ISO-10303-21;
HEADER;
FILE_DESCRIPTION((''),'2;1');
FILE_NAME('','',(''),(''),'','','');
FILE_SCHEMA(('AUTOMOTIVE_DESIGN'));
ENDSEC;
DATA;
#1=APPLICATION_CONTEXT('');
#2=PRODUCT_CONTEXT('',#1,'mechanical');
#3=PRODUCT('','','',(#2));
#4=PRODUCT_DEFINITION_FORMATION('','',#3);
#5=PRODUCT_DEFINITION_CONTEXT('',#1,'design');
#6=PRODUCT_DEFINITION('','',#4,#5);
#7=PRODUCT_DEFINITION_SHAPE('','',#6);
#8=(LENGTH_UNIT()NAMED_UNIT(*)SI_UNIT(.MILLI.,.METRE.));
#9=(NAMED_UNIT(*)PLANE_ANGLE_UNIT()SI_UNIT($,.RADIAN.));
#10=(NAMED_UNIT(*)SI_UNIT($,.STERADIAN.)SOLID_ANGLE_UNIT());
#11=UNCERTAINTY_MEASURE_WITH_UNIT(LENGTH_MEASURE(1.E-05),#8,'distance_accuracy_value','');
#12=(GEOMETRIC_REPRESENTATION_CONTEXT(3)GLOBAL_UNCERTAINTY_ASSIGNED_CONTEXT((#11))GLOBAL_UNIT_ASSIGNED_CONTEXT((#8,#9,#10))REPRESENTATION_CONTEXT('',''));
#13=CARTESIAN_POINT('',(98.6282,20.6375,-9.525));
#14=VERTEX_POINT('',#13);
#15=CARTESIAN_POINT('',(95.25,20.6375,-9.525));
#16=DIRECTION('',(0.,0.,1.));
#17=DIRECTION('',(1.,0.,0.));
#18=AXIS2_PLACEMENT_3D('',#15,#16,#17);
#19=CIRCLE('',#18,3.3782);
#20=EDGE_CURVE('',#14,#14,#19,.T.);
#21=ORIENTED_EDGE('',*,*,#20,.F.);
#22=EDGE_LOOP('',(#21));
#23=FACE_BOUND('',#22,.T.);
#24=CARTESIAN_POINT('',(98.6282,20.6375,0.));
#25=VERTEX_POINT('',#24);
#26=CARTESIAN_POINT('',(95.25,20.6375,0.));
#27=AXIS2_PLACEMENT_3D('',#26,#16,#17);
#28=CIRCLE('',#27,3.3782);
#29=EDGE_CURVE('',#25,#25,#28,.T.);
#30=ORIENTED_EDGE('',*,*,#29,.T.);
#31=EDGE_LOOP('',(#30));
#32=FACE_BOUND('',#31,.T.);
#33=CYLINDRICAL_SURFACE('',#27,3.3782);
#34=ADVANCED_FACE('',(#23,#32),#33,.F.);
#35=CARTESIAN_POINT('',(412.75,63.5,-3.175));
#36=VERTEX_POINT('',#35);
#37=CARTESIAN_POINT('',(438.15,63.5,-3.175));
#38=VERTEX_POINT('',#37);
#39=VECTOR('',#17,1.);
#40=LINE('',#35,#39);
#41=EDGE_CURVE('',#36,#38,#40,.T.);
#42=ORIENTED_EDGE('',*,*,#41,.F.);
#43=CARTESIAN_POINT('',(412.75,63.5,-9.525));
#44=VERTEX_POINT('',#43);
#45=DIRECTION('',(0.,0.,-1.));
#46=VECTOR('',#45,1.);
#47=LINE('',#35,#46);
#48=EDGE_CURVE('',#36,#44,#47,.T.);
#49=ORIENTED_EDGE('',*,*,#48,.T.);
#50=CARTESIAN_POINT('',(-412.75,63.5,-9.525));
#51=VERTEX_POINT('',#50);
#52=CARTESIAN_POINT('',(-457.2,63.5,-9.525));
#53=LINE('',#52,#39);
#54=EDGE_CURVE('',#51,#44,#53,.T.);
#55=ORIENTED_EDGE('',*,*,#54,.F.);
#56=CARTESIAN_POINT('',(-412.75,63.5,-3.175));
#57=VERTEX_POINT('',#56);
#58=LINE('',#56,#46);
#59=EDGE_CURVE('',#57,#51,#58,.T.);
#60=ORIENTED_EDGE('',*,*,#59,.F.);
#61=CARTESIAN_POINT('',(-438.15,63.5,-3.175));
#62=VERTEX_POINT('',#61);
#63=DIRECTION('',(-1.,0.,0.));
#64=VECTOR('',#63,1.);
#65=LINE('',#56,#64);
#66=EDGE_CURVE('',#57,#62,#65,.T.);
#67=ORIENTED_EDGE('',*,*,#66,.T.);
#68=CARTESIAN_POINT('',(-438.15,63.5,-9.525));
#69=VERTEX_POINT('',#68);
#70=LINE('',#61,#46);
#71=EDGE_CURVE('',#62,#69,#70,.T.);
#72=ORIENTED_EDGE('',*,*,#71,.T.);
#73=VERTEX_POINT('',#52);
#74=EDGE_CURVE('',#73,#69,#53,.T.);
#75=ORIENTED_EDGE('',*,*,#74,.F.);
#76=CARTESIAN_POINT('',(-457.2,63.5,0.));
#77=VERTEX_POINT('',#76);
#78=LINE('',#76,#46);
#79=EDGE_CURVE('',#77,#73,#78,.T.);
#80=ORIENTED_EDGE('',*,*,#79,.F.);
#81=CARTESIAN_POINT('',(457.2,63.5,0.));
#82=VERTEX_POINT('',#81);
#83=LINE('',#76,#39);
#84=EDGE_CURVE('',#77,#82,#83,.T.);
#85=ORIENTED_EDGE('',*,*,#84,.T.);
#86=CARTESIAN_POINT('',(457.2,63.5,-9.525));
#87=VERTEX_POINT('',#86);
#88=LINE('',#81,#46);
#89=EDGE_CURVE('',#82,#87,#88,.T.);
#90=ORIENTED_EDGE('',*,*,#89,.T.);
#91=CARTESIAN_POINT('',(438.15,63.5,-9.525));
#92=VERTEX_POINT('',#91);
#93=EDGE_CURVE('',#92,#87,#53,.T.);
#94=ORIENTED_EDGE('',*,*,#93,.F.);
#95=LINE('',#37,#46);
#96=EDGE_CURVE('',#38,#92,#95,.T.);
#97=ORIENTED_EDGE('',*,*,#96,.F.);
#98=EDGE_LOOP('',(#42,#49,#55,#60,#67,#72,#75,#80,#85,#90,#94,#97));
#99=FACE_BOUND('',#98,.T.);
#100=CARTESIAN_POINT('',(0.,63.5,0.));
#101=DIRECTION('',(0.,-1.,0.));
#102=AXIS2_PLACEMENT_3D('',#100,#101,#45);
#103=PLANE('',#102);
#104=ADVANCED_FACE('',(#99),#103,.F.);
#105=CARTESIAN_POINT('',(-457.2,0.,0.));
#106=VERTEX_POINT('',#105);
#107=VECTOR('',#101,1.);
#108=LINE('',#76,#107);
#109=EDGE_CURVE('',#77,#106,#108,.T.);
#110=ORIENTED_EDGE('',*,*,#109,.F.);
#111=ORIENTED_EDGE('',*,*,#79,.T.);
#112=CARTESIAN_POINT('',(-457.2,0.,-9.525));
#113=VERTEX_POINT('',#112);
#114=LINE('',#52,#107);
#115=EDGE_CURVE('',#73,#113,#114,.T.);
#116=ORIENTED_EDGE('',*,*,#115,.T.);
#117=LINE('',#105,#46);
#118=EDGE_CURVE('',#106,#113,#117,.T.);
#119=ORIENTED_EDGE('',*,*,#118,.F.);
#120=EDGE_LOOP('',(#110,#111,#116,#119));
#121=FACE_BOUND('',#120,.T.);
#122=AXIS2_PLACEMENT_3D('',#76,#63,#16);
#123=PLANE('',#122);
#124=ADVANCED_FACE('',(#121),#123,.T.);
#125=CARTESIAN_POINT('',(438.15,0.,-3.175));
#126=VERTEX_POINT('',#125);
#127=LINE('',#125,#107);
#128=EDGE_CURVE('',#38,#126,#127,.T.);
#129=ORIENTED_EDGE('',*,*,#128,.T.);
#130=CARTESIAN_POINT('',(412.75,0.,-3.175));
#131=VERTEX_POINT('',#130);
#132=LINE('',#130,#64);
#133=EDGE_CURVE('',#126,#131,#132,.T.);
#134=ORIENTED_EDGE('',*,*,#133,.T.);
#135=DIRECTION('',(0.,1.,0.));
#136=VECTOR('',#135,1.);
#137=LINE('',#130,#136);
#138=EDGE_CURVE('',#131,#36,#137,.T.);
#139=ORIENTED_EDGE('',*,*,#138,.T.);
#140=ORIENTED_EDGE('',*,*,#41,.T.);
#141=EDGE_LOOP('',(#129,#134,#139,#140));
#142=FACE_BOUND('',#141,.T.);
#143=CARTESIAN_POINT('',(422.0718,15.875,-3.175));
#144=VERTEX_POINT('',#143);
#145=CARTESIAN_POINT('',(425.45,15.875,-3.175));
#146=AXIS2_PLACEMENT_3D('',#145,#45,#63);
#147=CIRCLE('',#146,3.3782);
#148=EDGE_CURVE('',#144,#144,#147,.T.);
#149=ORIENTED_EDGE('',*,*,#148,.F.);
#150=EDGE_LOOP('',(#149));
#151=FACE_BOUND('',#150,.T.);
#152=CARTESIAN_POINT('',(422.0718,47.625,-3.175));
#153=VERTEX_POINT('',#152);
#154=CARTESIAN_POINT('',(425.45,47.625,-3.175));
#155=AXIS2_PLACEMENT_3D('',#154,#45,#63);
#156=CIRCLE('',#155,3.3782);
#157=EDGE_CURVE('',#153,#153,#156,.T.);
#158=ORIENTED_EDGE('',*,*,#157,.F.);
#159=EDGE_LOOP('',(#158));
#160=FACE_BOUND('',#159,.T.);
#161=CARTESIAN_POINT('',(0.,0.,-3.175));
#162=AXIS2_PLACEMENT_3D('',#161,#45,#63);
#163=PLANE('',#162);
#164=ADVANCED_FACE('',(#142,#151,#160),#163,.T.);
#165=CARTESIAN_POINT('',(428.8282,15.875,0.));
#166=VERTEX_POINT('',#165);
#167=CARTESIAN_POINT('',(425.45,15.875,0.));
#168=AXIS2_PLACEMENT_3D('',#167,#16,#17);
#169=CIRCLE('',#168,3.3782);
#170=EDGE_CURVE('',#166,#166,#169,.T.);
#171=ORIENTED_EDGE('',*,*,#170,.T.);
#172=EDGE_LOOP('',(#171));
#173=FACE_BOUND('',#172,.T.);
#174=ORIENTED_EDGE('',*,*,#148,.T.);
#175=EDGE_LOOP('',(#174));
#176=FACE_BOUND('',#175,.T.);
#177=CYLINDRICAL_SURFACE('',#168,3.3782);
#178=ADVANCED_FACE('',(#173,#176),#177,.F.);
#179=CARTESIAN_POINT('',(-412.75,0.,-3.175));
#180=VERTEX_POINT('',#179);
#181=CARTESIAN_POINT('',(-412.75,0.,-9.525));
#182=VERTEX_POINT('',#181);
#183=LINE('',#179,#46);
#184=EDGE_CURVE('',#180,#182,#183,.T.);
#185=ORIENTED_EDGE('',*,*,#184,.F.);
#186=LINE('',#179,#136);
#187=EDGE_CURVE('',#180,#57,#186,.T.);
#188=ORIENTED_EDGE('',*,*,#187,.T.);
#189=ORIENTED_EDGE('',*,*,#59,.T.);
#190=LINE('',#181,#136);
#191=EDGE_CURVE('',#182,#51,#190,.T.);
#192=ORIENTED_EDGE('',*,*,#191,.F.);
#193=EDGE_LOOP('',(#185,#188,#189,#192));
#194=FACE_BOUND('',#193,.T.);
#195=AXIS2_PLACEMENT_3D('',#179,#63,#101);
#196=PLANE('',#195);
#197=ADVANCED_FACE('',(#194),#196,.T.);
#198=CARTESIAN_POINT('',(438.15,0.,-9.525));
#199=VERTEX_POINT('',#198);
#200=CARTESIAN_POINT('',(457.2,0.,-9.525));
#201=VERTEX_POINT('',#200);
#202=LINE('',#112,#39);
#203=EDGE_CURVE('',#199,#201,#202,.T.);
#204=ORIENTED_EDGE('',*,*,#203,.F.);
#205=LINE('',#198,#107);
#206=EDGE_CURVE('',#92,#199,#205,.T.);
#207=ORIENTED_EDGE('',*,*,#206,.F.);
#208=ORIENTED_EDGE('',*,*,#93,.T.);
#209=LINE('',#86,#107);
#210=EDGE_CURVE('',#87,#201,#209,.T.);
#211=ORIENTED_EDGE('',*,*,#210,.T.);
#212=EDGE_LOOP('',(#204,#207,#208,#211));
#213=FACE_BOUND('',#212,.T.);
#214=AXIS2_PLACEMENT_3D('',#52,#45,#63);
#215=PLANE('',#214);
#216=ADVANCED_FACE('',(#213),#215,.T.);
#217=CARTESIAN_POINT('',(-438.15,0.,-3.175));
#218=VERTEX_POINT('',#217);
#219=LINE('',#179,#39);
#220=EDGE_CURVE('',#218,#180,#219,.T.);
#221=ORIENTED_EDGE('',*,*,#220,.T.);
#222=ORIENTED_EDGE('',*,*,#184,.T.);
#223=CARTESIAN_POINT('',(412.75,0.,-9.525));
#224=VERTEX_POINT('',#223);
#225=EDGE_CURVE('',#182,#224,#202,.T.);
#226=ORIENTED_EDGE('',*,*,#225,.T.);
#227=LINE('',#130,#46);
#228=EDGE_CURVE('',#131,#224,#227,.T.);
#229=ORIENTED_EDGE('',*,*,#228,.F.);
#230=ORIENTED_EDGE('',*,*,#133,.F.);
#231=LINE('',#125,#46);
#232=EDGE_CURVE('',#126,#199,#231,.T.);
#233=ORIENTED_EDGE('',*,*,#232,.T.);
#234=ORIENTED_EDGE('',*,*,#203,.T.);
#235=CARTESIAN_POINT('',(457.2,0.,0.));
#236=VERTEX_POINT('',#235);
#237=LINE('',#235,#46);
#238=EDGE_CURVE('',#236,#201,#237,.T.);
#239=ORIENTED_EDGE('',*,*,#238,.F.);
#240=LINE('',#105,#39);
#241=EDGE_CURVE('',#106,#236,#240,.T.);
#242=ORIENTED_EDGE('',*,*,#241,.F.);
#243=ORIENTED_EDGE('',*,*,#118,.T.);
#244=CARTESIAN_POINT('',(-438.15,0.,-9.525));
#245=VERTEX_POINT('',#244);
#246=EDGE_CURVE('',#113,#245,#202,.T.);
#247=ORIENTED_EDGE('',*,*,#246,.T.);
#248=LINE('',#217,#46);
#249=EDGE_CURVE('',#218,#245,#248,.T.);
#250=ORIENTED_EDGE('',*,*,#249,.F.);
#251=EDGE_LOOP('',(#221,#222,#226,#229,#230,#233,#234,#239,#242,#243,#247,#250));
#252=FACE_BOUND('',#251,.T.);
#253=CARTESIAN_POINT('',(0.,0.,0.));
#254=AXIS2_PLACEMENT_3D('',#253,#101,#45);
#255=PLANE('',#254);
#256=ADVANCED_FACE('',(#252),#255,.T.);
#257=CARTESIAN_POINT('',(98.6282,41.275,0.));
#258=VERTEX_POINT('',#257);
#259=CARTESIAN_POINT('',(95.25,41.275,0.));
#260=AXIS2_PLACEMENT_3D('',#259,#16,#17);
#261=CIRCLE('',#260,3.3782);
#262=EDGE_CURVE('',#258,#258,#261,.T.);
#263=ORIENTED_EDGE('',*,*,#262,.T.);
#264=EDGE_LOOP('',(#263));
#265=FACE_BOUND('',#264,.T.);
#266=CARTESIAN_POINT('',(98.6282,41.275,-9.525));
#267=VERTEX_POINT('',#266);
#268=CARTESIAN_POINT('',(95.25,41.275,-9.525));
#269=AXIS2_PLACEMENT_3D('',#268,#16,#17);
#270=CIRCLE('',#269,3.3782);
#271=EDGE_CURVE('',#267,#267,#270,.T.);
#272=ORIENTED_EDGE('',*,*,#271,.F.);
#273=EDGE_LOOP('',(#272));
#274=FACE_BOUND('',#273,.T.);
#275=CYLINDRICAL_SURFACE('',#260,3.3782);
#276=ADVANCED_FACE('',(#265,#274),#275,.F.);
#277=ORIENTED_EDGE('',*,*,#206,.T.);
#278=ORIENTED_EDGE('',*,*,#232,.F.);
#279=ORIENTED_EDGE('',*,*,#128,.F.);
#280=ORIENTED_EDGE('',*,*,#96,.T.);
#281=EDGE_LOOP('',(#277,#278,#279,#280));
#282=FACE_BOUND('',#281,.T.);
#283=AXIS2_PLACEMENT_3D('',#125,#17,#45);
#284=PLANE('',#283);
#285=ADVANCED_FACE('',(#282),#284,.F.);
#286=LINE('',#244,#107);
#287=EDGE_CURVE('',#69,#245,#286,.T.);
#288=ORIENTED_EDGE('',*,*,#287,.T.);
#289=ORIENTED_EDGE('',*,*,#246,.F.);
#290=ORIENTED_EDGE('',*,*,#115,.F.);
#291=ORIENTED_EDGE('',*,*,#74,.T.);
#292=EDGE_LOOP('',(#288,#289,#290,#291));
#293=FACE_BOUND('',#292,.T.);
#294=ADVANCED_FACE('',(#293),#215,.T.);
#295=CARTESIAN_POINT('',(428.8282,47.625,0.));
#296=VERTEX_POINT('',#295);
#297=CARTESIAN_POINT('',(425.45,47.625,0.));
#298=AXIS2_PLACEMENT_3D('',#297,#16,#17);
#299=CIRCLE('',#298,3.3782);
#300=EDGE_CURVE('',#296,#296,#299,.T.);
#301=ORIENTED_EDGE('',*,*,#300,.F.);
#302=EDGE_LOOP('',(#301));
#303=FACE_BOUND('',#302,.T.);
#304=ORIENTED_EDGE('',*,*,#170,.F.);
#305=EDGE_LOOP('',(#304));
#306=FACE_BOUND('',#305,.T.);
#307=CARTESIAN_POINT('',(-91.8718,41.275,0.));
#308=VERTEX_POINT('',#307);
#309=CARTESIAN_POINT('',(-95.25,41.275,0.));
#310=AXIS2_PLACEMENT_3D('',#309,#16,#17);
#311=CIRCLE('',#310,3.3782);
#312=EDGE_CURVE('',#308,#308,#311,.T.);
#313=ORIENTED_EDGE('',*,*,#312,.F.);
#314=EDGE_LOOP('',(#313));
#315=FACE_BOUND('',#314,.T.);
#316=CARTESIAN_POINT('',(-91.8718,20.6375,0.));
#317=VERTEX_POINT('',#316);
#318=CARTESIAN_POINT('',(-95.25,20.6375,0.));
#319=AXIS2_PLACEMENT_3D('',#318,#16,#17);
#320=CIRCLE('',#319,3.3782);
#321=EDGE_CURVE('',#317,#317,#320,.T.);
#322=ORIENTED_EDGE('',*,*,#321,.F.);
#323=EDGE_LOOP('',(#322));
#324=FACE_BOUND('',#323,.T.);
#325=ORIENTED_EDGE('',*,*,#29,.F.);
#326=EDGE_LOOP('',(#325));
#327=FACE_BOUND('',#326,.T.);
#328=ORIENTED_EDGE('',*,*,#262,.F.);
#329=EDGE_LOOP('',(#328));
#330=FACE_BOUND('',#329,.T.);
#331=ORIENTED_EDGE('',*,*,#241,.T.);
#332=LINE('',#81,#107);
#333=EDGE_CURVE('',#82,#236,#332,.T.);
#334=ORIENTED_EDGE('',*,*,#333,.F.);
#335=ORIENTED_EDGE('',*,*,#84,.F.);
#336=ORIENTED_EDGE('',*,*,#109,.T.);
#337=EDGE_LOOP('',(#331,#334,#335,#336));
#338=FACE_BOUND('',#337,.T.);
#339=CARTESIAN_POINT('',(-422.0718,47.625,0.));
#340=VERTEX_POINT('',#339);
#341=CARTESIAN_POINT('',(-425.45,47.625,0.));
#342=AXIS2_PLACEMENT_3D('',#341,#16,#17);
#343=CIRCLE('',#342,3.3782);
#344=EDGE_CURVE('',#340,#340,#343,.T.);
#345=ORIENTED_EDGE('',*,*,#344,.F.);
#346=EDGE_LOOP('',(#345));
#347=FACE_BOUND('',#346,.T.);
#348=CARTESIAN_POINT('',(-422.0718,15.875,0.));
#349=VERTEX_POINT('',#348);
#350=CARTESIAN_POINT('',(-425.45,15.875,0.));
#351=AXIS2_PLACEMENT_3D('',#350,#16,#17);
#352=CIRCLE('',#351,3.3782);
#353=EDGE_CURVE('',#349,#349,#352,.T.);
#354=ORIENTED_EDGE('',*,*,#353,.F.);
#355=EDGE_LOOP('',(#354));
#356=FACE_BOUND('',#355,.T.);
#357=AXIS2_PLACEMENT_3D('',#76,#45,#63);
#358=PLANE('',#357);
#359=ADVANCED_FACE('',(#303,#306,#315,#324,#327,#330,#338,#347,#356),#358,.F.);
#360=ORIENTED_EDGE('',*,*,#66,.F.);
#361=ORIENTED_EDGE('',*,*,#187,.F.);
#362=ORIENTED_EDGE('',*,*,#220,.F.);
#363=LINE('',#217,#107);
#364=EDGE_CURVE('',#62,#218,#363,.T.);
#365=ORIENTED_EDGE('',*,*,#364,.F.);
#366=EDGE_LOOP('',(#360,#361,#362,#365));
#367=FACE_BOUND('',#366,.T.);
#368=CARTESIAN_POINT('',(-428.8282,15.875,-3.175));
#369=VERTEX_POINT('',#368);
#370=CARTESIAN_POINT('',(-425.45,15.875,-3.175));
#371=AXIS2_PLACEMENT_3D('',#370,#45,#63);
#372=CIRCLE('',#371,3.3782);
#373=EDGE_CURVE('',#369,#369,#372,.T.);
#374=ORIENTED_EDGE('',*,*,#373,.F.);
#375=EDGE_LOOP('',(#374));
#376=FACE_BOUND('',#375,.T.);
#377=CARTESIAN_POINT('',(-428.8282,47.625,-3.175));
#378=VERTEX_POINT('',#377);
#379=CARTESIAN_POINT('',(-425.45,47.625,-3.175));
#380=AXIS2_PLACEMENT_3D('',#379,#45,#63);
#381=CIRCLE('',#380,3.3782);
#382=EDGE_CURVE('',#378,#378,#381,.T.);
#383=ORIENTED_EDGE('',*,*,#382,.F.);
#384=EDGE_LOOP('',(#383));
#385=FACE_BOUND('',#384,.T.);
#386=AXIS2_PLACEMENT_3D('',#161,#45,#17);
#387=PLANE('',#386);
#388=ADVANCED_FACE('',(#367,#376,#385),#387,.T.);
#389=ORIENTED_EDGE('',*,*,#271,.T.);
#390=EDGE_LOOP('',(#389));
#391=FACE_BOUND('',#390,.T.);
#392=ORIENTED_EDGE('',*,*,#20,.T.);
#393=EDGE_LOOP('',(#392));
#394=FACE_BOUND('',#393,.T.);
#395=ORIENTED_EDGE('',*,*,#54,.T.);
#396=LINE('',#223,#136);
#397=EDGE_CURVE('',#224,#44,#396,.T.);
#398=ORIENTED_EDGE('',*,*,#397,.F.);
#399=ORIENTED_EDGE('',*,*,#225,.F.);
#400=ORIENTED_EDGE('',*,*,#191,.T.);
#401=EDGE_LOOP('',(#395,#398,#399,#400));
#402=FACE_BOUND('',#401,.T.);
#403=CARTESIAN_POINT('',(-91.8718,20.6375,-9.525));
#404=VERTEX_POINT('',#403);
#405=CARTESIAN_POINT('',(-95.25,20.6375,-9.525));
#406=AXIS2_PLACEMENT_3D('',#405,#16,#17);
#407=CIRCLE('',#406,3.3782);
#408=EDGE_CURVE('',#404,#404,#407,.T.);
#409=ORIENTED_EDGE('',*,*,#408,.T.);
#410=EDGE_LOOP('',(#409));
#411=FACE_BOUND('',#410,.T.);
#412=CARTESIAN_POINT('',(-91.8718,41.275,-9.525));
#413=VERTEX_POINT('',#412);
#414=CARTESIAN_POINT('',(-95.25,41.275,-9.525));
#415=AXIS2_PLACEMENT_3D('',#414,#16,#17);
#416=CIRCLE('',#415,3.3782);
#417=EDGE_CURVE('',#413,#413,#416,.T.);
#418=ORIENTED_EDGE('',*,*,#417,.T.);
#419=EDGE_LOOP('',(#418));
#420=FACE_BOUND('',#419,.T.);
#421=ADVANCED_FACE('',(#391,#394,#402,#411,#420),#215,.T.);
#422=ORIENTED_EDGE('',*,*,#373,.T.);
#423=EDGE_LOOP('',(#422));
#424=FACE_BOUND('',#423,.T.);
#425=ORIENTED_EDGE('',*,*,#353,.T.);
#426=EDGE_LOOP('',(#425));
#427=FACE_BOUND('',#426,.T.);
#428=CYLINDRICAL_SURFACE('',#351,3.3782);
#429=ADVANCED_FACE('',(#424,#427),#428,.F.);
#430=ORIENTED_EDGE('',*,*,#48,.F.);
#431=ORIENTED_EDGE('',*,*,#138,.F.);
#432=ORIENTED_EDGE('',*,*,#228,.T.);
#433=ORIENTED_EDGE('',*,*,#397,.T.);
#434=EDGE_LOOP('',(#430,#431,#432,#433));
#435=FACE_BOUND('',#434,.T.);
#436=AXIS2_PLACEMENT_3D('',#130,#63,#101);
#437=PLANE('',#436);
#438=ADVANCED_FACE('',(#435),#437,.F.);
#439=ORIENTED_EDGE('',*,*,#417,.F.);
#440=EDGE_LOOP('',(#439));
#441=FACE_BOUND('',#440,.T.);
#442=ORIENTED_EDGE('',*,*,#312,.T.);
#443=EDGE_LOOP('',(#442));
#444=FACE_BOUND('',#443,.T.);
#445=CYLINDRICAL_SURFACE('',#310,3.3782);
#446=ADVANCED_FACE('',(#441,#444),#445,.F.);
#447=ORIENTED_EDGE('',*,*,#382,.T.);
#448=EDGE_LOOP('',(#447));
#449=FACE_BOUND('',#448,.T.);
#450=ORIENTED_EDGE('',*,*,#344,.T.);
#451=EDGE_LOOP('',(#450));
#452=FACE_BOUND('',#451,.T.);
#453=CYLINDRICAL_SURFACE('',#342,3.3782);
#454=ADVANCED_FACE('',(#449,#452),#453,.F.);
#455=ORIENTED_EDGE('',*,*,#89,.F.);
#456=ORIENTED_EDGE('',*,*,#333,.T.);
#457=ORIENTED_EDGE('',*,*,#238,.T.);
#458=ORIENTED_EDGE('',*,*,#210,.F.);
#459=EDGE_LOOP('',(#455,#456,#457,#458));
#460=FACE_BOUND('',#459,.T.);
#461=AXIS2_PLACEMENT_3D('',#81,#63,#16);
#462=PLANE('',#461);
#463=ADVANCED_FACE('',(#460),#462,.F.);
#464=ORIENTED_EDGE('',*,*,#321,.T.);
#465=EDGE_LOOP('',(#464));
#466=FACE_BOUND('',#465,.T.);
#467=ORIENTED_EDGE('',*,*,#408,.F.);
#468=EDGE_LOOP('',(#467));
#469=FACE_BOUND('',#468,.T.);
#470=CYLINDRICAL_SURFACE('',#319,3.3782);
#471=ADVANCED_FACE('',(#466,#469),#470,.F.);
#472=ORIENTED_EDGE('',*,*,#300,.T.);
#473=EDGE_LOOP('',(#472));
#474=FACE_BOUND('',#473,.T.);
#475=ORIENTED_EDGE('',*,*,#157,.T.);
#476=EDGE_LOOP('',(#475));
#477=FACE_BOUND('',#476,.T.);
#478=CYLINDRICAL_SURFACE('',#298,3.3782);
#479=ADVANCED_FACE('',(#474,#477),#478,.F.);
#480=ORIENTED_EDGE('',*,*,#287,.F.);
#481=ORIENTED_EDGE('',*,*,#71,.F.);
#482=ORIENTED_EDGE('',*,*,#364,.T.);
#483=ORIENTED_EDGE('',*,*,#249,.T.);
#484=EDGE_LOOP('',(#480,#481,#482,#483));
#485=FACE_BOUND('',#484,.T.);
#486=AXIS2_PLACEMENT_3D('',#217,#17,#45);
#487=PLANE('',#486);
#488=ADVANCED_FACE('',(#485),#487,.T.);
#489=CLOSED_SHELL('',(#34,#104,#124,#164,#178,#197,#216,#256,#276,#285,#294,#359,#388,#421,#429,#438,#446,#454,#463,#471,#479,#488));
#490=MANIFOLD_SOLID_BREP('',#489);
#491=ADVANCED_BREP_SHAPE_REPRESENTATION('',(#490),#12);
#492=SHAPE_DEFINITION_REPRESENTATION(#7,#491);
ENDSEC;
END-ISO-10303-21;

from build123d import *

# Parameters (mm, degrees)
SKETCH1_W               = 914.4
SKETCH1_H               = 9.525
BOSS_EXTRUDE1_DEPTH     = 63.5
SKETCH2_W               = 25.4
SKETCH2_H               = 63.5
CUT_EXTRUDE1_DEPTH      = 6.35
F_1_4_CLEARANCE_HOLE1_D = 6.7564
F_1_4_CLEARANCE_HOLE2_D = 6.7564
LPATTERN1_COUNT         = 3
LPATTERN1_PITCH         = 15.875
MIRROR1_COPY_1_D        = 6.7564


with BuildPart() as part:
    # Sketch1 → Boss-Extrude1 (new body)
    with BuildSketch(Plane(origin=(0, 0, 0), x_dir=(1, 0, 0), z_dir=(0, 1, 0))):
        with Locations((0, 4.7625)):
            Rectangle(SKETCH1_W, SKETCH1_H)
    extrude(amount=BOSS_EXTRUDE1_DEPTH)

    # Sketch2 → Cut-Extrude1 (cut)
    with BuildSketch(Plane(origin=(0, 0, -9.525), x_dir=(-1, 0, 0), z_dir=(0, 0, -1))):
        with Locations((-425.45, 31.75)):
            Rectangle(SKETCH2_W, SKETCH2_H)
    cut_extrude1 = extrude(amount=-CUT_EXTRUDE1_DEPTH, mode=Mode.SUBTRACT)

    # 1/4 Clearance Hole1 (through all)
    with Locations(Plane.XY):
        with Locations((425.45, 47.625)):
            f_1_4_clearance_hole1 = Hole(F_1_4_CLEARANCE_HOLE1_D / 2)

    # 1/4 Clearance Hole2 (through all)
    with Locations(Plane.XY):
        with Locations((-95.25, 41.275), (-95.25, 20.6375), (95.25, 41.275), (95.25, 20.6375)):
            Hole(F_1_4_CLEARANCE_HOLE2_D / 2)

    # LPattern1: 1/4 Clearance Hole1 ×3, 1 skipped
    with Locations(*[(0, -i * LPATTERN1_PITCH, 0) for i in range(1, LPATTERN1_COUNT) if i not in (1,)]):
        add(f_1_4_clearance_hole1, mode=Mode.SUBTRACT)

    # Mirror1: Cut-Extrude1, 1/4 Clearance Hole1 across plane
    add(cut_extrude1.mirror(Plane(origin=(0, 0, 0), x_dir=(0, 0, 1), z_dir=(1, 0, 0))), mode=Mode.SUBTRACT)
    add(f_1_4_clearance_hole1.mirror(Plane(origin=(0, 0, 0), x_dir=(0, 0, 1), z_dir=(1, 0, 0))), mode=Mode.SUBTRACT)

    # Mirror1 copy 1 (through all)
    with Locations(Plane(origin=(0, -31.75, 0), x_dir=(-1, 0, 0), z_dir=(0, 0, 1))):
        with Locations((425.45, -47.625)):
            Hole(MIRROR1_COPY_1_D / 2)


solid = part.part
